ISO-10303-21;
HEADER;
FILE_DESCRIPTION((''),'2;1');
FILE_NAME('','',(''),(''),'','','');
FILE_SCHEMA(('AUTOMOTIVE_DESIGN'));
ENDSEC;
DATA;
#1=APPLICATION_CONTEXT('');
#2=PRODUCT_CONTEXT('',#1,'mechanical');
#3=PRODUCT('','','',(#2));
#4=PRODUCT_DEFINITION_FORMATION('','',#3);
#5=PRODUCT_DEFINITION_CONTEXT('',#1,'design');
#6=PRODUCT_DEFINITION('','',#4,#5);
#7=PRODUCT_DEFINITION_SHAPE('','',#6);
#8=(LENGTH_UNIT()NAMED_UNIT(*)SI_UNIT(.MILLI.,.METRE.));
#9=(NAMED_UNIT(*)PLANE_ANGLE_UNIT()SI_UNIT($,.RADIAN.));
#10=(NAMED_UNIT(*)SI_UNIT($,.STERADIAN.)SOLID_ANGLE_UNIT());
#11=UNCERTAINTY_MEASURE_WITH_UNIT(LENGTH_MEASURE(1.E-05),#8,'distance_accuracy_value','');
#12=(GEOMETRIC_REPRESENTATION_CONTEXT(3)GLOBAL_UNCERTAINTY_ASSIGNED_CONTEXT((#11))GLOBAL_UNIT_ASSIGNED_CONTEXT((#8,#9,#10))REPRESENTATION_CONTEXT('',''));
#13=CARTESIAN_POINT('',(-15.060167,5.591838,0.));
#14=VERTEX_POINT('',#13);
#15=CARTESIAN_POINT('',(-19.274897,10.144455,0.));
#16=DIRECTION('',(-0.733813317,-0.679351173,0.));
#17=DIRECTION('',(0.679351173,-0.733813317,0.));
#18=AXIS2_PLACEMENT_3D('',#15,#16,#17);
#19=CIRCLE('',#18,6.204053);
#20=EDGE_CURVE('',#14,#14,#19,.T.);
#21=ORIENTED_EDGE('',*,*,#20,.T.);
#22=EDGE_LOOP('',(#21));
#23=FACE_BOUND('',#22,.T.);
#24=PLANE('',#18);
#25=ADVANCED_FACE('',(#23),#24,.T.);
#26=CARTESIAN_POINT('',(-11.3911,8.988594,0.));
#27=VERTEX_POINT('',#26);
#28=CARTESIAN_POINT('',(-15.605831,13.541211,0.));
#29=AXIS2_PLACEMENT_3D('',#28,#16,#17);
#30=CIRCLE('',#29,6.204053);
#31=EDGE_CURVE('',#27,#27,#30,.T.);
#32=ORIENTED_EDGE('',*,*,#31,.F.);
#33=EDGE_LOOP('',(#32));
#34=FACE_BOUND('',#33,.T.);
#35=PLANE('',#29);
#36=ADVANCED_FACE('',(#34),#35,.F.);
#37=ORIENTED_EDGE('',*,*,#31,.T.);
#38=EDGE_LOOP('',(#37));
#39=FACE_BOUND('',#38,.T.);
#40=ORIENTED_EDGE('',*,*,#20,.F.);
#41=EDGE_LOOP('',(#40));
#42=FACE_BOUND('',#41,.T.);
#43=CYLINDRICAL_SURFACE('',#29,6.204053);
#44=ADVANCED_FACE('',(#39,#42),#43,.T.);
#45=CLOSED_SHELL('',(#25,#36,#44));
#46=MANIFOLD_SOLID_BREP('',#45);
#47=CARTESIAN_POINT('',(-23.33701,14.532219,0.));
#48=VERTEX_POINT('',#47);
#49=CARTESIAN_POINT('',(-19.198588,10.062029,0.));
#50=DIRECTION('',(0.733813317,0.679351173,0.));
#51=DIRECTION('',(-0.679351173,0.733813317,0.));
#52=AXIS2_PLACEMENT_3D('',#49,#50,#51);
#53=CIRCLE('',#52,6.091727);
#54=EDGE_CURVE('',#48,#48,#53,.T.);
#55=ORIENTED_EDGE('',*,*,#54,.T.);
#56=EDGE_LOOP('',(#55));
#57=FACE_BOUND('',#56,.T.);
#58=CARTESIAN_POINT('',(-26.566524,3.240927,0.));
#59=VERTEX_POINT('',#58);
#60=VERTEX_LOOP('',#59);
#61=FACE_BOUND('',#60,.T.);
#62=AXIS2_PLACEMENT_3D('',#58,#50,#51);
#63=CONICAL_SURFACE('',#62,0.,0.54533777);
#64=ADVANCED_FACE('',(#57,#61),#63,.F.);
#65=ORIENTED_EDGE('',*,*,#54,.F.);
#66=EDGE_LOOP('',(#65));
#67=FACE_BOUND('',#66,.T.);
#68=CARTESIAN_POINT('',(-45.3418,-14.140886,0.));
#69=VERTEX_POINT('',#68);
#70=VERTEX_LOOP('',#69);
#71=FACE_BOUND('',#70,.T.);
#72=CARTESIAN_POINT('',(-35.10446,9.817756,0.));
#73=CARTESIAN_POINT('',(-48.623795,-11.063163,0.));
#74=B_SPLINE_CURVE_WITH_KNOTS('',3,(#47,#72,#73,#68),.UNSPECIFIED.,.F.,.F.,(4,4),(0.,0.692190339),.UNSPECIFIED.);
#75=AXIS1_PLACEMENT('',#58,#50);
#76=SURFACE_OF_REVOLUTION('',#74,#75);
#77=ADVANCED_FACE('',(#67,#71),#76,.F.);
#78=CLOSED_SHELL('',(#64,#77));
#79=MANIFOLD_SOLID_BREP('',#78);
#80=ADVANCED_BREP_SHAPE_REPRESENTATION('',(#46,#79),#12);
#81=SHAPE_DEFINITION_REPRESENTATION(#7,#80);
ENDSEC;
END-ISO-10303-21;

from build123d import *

# Parameters (mm, degrees)
SKETCH_2_R      = 6.204053242
EXTRUDE_1_DEPTH = 5


with BuildPart() as part:
    # 草圖1 → 旋轉1 (revolve)
    with BuildSketch(Plane.XY):
        with BuildLine():
            Line((-23.337010244, 14.532218953), (-26.56652355, 3.24092676))
            Line((-26.56652355, 3.24092676), (-45.341799777, -14.140886349))
            add(Edge.make_bspline(
                [(-23.337010244, 14.532218953), (-35.104460313, 9.817756382), (-48.623794714, -11.063163036), (-45.341799777, -14.140886349)],
                knots=[0, 0, 0, 0, 0.692190339, 0.692190339, 0.692190339, 0.692190339], degree=3))
        make_face()
    revolve(axis=Axis((-26.56652355, 3.24092676, 0), (-0.7338133167062407, -0.6793511729765295, 0)))


with BuildPart() as body_2:
    # 草圖2 → 填料-伸長1 (new body)
    with BuildSketch(Plane(origin=(-5.322002285, -4.927014014, 0), x_dir=(0, 0, 1), z_dir=(-0.7338133167062408, -0.6793511729765294, 0))):
        with Locations(Location((0, 20.53856047, 0), (0, 0, 270))):
            Circle(SKETCH_2_R)
    extrude(amount=-EXTRUDE_1_DEPTH)


solid = Compound([part.part, body_2.part])
